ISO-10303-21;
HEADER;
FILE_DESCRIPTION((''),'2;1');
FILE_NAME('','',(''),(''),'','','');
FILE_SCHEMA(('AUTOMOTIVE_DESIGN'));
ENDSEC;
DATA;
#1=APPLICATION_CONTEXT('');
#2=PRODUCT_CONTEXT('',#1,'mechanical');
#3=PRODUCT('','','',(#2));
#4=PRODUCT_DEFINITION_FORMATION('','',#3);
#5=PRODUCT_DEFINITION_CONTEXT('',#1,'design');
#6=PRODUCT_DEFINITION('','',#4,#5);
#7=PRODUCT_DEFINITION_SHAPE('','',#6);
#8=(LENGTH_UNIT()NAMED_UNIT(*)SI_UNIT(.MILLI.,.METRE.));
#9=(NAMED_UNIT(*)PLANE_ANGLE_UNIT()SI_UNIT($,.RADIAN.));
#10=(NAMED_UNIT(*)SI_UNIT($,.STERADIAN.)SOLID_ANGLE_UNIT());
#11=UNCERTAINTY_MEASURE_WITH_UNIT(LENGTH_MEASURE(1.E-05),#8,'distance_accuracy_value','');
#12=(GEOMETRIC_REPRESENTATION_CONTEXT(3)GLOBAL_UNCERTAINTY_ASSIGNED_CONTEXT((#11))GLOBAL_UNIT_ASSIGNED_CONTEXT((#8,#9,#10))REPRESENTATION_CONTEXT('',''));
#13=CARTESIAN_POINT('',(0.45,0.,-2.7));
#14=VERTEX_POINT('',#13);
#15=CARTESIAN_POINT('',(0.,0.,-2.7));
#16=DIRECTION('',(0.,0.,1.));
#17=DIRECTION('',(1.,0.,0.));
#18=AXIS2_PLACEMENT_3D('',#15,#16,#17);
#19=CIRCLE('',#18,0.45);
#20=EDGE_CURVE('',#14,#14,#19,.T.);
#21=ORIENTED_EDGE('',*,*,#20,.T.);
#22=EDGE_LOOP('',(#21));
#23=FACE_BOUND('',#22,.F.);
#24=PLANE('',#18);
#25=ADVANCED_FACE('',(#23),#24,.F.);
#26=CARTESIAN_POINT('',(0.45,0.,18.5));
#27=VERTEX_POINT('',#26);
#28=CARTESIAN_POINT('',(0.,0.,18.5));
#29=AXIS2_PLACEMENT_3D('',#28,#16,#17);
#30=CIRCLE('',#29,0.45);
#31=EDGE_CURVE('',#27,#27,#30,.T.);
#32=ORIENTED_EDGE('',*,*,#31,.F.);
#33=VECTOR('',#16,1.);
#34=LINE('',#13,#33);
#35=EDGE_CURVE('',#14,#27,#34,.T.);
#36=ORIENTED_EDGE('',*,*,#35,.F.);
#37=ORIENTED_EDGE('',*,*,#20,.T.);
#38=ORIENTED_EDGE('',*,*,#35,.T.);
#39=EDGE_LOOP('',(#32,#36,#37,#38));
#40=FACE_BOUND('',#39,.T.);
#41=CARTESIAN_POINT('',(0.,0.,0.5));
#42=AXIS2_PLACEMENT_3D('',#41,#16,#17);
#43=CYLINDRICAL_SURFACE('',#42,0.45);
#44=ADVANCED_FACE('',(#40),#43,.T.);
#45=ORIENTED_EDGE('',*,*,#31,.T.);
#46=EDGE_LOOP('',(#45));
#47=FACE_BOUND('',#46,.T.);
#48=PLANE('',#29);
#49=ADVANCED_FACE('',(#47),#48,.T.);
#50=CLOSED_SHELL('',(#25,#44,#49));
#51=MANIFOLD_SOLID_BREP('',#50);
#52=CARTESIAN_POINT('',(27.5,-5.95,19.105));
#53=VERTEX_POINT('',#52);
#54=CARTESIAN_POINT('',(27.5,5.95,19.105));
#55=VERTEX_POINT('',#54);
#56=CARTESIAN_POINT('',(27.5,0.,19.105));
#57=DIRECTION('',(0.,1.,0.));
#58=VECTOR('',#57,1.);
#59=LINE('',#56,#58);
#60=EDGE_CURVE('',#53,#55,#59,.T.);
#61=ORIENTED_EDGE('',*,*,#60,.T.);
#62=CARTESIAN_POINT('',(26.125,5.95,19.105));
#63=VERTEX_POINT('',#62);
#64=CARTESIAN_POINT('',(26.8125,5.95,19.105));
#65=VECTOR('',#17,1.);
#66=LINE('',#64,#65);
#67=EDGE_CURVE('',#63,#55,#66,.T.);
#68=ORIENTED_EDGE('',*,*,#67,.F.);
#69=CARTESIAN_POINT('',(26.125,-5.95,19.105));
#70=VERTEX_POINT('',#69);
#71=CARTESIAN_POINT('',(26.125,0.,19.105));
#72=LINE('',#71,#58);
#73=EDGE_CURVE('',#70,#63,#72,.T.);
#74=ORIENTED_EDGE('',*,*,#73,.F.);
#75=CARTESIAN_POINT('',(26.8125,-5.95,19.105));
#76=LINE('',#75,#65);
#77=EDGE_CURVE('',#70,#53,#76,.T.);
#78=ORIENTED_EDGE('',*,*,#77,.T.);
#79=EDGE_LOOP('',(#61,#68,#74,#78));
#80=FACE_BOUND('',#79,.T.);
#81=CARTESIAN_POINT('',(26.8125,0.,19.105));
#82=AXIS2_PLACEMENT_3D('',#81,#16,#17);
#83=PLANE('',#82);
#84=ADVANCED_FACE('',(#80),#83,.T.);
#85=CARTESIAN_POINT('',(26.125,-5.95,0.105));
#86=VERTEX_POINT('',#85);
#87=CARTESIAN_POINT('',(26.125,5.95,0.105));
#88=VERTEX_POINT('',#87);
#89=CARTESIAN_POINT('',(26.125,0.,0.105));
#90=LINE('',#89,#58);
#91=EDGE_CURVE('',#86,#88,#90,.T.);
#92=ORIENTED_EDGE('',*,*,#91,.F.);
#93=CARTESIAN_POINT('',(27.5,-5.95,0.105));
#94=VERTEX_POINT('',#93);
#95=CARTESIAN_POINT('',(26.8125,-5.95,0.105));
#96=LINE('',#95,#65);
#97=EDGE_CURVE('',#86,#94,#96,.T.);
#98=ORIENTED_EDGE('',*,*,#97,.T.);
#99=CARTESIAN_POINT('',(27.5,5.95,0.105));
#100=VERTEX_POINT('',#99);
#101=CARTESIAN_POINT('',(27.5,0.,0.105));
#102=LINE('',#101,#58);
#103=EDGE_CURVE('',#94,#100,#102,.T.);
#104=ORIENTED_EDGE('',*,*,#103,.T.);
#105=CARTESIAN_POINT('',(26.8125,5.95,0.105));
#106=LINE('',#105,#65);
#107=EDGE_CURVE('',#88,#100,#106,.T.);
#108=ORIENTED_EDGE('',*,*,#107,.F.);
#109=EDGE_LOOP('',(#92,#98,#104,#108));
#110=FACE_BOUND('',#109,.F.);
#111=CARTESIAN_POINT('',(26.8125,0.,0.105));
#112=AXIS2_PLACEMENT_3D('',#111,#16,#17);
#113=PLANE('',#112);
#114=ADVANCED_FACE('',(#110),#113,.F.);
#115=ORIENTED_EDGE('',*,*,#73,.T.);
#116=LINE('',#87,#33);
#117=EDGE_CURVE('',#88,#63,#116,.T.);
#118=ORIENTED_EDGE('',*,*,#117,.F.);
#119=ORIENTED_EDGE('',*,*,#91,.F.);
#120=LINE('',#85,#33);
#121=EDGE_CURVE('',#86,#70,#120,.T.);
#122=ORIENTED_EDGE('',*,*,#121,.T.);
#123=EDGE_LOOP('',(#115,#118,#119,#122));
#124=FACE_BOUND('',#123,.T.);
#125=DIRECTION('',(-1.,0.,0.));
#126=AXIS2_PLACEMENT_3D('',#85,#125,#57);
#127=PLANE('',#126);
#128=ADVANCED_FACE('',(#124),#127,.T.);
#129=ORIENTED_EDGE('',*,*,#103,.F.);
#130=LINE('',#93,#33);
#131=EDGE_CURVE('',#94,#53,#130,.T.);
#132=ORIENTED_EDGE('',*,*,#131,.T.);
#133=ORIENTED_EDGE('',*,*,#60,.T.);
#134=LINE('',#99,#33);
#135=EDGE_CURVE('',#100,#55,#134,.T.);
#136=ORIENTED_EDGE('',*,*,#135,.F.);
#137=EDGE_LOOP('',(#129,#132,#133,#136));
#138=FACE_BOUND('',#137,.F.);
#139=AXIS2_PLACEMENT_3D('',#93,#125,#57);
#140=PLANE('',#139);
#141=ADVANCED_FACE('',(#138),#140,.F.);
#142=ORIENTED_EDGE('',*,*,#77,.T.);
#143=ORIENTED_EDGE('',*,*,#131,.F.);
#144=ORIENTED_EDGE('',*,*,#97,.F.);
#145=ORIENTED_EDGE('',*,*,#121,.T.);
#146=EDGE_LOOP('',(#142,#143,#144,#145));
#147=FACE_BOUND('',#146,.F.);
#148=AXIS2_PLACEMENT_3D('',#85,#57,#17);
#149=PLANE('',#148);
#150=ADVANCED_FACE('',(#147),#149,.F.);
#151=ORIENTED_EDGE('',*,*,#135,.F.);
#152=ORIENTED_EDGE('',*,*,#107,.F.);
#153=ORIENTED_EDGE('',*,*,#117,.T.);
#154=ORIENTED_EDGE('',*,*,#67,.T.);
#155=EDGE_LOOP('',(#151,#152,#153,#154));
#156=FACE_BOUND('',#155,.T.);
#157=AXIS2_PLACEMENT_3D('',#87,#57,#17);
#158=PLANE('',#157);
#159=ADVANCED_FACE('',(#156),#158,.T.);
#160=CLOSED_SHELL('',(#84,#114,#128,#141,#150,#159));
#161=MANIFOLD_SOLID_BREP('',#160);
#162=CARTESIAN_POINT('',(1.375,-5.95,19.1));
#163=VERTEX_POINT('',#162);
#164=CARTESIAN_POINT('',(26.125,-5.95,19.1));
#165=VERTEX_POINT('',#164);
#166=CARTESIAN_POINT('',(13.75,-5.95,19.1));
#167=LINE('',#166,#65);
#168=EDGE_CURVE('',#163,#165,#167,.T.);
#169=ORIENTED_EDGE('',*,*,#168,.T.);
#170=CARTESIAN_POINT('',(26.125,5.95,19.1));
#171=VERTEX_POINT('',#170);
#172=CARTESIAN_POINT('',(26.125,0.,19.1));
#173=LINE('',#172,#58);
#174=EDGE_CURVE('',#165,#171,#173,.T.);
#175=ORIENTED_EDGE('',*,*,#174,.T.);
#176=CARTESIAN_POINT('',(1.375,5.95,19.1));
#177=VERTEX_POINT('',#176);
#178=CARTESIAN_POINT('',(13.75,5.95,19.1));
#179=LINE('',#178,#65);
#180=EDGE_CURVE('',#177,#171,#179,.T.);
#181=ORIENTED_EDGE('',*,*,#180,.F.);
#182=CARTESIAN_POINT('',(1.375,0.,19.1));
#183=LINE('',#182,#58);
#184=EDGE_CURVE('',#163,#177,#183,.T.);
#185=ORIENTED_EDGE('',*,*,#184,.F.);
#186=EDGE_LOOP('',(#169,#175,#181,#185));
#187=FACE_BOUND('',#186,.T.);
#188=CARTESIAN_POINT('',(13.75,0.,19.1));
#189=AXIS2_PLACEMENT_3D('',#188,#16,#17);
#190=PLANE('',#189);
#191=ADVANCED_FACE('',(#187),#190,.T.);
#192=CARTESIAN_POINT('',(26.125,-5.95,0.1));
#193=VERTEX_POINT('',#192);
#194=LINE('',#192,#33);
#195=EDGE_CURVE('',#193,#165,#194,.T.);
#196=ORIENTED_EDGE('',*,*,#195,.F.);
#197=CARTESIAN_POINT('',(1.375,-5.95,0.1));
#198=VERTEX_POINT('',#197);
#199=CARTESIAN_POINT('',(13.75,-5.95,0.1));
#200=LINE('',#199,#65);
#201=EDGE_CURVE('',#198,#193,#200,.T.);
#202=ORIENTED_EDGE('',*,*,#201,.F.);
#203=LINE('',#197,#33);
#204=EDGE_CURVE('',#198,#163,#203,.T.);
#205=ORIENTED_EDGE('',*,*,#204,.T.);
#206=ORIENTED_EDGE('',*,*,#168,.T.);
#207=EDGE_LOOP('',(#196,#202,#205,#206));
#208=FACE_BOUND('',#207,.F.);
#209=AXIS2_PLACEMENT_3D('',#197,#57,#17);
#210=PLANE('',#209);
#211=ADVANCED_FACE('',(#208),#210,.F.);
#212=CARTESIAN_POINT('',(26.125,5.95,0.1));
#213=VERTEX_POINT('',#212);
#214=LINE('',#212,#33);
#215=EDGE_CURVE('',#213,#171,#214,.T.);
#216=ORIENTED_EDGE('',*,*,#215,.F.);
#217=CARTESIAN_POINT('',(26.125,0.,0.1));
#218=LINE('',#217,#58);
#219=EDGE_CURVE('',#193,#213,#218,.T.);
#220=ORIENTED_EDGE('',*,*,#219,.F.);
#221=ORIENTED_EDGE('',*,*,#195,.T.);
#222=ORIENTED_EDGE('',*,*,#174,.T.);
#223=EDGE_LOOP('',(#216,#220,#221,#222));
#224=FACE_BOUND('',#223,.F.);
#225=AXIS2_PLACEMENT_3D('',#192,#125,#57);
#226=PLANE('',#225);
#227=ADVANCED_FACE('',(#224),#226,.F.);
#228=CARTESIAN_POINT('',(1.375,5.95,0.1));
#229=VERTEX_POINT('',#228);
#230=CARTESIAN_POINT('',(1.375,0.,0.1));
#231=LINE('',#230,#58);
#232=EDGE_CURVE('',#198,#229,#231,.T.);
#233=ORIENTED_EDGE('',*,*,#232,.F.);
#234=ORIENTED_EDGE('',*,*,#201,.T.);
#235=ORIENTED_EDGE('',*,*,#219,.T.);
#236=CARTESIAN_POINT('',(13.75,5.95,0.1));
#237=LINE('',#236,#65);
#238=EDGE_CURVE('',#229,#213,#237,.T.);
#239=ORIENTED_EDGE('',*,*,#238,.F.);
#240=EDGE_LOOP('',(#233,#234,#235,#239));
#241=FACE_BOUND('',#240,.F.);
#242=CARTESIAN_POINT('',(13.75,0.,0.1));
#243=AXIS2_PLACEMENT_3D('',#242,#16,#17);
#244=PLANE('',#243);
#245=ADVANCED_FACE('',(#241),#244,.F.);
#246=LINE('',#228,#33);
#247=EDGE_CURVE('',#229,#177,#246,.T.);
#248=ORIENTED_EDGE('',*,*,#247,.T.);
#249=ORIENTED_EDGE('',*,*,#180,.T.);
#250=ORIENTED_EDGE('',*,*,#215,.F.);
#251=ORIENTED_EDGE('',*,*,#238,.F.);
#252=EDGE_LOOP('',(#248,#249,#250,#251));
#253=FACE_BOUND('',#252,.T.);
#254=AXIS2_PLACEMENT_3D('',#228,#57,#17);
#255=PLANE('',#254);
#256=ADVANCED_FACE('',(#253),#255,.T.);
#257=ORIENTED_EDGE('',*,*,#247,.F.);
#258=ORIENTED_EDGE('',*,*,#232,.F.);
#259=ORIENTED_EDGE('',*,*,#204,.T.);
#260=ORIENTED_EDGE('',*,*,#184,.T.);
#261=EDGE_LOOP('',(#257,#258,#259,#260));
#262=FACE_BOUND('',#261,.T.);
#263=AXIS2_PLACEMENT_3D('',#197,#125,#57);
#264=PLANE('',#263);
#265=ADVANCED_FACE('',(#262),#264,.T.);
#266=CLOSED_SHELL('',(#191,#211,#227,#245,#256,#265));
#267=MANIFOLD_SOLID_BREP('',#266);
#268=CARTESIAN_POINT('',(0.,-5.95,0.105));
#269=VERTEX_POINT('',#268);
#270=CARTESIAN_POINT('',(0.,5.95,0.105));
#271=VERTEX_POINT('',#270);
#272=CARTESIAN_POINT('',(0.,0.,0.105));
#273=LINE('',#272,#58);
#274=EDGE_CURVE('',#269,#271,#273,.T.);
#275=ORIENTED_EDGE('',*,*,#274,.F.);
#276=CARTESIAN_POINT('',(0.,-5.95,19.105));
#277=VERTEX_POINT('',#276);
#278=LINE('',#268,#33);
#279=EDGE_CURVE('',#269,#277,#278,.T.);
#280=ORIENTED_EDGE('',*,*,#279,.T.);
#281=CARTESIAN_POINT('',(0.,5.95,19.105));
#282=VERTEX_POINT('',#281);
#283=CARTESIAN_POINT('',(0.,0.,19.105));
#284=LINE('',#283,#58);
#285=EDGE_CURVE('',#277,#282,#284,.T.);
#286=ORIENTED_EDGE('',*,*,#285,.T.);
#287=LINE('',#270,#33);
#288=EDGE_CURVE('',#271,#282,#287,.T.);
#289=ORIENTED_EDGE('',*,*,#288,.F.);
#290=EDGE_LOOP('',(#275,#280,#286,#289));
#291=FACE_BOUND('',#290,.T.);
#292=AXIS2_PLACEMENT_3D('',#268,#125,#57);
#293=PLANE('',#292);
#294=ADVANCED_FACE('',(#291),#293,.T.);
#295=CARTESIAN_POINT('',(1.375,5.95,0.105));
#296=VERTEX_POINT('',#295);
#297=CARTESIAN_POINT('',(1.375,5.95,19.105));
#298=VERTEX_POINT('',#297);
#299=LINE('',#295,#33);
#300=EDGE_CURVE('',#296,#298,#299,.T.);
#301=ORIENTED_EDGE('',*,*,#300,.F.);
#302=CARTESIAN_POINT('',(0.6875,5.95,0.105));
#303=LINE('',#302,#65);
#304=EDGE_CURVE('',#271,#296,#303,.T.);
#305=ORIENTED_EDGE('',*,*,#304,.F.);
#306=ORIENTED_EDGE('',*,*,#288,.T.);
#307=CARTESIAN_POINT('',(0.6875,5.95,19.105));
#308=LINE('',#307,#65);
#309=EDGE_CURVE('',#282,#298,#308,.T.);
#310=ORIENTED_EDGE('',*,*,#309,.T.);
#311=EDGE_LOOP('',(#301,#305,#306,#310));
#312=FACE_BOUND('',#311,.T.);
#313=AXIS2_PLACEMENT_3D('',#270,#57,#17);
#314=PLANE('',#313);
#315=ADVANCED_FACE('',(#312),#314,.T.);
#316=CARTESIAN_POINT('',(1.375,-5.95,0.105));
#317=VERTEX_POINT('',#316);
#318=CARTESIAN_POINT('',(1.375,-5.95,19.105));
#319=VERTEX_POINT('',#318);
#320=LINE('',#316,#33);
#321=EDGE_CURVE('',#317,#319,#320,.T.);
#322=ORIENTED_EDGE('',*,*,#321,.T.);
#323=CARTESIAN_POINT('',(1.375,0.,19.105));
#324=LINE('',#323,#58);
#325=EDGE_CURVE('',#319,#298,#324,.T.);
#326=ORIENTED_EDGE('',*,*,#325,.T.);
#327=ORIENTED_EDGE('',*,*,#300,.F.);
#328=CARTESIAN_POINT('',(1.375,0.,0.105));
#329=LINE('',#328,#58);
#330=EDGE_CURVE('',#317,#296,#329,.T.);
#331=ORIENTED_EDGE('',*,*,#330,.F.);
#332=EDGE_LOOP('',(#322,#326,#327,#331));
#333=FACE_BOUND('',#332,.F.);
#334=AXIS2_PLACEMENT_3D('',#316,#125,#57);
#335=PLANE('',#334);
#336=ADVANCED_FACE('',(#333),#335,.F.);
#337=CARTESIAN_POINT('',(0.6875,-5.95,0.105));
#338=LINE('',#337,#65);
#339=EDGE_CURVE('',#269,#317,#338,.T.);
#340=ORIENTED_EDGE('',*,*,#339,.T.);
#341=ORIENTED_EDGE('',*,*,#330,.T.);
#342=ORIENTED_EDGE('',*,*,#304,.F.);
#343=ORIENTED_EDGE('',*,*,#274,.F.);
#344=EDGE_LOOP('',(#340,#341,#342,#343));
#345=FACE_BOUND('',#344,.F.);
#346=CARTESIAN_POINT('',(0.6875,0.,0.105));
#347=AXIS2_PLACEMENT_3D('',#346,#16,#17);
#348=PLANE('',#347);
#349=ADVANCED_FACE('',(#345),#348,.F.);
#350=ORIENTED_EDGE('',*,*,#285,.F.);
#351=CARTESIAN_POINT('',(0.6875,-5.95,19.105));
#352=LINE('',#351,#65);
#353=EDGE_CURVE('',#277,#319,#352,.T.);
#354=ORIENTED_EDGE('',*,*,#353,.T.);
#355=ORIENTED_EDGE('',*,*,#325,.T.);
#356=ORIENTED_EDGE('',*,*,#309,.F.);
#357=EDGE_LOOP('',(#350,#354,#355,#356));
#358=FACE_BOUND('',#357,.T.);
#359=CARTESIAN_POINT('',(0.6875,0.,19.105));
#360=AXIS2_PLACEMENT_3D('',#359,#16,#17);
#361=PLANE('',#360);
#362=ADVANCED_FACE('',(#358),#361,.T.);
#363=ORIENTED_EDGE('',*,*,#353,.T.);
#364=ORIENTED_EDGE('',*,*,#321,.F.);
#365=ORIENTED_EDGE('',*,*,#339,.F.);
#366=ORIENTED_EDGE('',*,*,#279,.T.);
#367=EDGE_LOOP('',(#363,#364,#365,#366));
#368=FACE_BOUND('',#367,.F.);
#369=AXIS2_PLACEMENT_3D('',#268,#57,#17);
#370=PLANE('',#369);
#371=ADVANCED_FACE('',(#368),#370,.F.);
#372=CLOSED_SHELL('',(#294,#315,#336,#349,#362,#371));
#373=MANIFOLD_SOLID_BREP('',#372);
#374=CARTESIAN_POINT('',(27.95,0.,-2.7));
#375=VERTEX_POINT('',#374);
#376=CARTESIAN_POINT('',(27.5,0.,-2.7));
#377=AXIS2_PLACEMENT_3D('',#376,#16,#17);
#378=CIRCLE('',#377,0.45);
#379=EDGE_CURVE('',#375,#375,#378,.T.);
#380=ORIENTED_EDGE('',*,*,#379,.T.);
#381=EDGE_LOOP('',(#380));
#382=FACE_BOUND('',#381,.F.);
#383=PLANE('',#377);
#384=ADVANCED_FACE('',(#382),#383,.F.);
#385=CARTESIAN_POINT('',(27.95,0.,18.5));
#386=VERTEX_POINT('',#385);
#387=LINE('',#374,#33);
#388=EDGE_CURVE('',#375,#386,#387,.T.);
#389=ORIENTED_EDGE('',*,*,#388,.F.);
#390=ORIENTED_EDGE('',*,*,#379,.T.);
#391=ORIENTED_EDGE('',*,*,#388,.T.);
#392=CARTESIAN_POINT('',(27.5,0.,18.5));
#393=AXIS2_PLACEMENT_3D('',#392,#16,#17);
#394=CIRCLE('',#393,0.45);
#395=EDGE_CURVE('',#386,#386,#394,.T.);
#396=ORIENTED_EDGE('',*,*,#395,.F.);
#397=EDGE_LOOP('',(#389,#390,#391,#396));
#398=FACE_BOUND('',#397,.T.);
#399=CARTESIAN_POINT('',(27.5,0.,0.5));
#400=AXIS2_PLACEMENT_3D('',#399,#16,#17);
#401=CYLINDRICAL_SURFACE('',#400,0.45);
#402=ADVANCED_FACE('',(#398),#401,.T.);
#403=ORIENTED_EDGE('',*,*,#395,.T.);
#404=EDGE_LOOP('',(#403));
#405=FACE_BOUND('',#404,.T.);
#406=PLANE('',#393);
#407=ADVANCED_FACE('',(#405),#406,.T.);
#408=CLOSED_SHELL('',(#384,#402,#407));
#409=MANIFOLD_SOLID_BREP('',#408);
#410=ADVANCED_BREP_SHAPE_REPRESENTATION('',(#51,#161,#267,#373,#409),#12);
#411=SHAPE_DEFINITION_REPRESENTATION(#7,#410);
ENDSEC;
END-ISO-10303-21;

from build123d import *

# Parameters (mm, degrees)
SKETCH_W          = 24.75
SKETCH_H          = 11.9
PAD_DEPTH         = 19
SKETCH001_R       = 0.45
PAD001_DEPTH      = 18
PAD001_DEPTH_BACK = 3.2
SKETCH002_W       = 1.375
SKETCH002_H       = 11.9
PAD002_DEPTH      = 19


with BuildPart() as pad:
    # Sketch → Pad (new body)
    with BuildSketch(Plane.XY.offset(0.1)):
        with Locations((13.75, 0)):
            Rectangle(SKETCH_W, SKETCH_H)
    extrude(amount=PAD_DEPTH)


with BuildPart() as pad001:
    # Sketch001 → Pad001 (new body, two sides)
    with BuildSketch(Plane.XY.offset(0.5)) as pad001_sk:
        Circle(SKETCH001_R)
        with Locations((27.5, 0)):
            Circle(SKETCH001_R)
    extrude(amount=PAD001_DEPTH)
    extrude(pad001_sk.sketch, amount=-PAD001_DEPTH_BACK)


with BuildPart() as pad002:
    # Sketch002 → Pad002 (new body)
    with BuildSketch(Plane.XY.offset(0.105)):
        with Locations((0.6875, 0)):
            Rectangle(SKETCH002_W, SKETCH002_H)
        with Locations((26.8125, 0)):
            Rectangle(SKETCH002_W, SKETCH002_H)
    extrude(amount=PAD002_DEPTH)


solid = Compound([pad.part, pad001.part, pad002.part])
